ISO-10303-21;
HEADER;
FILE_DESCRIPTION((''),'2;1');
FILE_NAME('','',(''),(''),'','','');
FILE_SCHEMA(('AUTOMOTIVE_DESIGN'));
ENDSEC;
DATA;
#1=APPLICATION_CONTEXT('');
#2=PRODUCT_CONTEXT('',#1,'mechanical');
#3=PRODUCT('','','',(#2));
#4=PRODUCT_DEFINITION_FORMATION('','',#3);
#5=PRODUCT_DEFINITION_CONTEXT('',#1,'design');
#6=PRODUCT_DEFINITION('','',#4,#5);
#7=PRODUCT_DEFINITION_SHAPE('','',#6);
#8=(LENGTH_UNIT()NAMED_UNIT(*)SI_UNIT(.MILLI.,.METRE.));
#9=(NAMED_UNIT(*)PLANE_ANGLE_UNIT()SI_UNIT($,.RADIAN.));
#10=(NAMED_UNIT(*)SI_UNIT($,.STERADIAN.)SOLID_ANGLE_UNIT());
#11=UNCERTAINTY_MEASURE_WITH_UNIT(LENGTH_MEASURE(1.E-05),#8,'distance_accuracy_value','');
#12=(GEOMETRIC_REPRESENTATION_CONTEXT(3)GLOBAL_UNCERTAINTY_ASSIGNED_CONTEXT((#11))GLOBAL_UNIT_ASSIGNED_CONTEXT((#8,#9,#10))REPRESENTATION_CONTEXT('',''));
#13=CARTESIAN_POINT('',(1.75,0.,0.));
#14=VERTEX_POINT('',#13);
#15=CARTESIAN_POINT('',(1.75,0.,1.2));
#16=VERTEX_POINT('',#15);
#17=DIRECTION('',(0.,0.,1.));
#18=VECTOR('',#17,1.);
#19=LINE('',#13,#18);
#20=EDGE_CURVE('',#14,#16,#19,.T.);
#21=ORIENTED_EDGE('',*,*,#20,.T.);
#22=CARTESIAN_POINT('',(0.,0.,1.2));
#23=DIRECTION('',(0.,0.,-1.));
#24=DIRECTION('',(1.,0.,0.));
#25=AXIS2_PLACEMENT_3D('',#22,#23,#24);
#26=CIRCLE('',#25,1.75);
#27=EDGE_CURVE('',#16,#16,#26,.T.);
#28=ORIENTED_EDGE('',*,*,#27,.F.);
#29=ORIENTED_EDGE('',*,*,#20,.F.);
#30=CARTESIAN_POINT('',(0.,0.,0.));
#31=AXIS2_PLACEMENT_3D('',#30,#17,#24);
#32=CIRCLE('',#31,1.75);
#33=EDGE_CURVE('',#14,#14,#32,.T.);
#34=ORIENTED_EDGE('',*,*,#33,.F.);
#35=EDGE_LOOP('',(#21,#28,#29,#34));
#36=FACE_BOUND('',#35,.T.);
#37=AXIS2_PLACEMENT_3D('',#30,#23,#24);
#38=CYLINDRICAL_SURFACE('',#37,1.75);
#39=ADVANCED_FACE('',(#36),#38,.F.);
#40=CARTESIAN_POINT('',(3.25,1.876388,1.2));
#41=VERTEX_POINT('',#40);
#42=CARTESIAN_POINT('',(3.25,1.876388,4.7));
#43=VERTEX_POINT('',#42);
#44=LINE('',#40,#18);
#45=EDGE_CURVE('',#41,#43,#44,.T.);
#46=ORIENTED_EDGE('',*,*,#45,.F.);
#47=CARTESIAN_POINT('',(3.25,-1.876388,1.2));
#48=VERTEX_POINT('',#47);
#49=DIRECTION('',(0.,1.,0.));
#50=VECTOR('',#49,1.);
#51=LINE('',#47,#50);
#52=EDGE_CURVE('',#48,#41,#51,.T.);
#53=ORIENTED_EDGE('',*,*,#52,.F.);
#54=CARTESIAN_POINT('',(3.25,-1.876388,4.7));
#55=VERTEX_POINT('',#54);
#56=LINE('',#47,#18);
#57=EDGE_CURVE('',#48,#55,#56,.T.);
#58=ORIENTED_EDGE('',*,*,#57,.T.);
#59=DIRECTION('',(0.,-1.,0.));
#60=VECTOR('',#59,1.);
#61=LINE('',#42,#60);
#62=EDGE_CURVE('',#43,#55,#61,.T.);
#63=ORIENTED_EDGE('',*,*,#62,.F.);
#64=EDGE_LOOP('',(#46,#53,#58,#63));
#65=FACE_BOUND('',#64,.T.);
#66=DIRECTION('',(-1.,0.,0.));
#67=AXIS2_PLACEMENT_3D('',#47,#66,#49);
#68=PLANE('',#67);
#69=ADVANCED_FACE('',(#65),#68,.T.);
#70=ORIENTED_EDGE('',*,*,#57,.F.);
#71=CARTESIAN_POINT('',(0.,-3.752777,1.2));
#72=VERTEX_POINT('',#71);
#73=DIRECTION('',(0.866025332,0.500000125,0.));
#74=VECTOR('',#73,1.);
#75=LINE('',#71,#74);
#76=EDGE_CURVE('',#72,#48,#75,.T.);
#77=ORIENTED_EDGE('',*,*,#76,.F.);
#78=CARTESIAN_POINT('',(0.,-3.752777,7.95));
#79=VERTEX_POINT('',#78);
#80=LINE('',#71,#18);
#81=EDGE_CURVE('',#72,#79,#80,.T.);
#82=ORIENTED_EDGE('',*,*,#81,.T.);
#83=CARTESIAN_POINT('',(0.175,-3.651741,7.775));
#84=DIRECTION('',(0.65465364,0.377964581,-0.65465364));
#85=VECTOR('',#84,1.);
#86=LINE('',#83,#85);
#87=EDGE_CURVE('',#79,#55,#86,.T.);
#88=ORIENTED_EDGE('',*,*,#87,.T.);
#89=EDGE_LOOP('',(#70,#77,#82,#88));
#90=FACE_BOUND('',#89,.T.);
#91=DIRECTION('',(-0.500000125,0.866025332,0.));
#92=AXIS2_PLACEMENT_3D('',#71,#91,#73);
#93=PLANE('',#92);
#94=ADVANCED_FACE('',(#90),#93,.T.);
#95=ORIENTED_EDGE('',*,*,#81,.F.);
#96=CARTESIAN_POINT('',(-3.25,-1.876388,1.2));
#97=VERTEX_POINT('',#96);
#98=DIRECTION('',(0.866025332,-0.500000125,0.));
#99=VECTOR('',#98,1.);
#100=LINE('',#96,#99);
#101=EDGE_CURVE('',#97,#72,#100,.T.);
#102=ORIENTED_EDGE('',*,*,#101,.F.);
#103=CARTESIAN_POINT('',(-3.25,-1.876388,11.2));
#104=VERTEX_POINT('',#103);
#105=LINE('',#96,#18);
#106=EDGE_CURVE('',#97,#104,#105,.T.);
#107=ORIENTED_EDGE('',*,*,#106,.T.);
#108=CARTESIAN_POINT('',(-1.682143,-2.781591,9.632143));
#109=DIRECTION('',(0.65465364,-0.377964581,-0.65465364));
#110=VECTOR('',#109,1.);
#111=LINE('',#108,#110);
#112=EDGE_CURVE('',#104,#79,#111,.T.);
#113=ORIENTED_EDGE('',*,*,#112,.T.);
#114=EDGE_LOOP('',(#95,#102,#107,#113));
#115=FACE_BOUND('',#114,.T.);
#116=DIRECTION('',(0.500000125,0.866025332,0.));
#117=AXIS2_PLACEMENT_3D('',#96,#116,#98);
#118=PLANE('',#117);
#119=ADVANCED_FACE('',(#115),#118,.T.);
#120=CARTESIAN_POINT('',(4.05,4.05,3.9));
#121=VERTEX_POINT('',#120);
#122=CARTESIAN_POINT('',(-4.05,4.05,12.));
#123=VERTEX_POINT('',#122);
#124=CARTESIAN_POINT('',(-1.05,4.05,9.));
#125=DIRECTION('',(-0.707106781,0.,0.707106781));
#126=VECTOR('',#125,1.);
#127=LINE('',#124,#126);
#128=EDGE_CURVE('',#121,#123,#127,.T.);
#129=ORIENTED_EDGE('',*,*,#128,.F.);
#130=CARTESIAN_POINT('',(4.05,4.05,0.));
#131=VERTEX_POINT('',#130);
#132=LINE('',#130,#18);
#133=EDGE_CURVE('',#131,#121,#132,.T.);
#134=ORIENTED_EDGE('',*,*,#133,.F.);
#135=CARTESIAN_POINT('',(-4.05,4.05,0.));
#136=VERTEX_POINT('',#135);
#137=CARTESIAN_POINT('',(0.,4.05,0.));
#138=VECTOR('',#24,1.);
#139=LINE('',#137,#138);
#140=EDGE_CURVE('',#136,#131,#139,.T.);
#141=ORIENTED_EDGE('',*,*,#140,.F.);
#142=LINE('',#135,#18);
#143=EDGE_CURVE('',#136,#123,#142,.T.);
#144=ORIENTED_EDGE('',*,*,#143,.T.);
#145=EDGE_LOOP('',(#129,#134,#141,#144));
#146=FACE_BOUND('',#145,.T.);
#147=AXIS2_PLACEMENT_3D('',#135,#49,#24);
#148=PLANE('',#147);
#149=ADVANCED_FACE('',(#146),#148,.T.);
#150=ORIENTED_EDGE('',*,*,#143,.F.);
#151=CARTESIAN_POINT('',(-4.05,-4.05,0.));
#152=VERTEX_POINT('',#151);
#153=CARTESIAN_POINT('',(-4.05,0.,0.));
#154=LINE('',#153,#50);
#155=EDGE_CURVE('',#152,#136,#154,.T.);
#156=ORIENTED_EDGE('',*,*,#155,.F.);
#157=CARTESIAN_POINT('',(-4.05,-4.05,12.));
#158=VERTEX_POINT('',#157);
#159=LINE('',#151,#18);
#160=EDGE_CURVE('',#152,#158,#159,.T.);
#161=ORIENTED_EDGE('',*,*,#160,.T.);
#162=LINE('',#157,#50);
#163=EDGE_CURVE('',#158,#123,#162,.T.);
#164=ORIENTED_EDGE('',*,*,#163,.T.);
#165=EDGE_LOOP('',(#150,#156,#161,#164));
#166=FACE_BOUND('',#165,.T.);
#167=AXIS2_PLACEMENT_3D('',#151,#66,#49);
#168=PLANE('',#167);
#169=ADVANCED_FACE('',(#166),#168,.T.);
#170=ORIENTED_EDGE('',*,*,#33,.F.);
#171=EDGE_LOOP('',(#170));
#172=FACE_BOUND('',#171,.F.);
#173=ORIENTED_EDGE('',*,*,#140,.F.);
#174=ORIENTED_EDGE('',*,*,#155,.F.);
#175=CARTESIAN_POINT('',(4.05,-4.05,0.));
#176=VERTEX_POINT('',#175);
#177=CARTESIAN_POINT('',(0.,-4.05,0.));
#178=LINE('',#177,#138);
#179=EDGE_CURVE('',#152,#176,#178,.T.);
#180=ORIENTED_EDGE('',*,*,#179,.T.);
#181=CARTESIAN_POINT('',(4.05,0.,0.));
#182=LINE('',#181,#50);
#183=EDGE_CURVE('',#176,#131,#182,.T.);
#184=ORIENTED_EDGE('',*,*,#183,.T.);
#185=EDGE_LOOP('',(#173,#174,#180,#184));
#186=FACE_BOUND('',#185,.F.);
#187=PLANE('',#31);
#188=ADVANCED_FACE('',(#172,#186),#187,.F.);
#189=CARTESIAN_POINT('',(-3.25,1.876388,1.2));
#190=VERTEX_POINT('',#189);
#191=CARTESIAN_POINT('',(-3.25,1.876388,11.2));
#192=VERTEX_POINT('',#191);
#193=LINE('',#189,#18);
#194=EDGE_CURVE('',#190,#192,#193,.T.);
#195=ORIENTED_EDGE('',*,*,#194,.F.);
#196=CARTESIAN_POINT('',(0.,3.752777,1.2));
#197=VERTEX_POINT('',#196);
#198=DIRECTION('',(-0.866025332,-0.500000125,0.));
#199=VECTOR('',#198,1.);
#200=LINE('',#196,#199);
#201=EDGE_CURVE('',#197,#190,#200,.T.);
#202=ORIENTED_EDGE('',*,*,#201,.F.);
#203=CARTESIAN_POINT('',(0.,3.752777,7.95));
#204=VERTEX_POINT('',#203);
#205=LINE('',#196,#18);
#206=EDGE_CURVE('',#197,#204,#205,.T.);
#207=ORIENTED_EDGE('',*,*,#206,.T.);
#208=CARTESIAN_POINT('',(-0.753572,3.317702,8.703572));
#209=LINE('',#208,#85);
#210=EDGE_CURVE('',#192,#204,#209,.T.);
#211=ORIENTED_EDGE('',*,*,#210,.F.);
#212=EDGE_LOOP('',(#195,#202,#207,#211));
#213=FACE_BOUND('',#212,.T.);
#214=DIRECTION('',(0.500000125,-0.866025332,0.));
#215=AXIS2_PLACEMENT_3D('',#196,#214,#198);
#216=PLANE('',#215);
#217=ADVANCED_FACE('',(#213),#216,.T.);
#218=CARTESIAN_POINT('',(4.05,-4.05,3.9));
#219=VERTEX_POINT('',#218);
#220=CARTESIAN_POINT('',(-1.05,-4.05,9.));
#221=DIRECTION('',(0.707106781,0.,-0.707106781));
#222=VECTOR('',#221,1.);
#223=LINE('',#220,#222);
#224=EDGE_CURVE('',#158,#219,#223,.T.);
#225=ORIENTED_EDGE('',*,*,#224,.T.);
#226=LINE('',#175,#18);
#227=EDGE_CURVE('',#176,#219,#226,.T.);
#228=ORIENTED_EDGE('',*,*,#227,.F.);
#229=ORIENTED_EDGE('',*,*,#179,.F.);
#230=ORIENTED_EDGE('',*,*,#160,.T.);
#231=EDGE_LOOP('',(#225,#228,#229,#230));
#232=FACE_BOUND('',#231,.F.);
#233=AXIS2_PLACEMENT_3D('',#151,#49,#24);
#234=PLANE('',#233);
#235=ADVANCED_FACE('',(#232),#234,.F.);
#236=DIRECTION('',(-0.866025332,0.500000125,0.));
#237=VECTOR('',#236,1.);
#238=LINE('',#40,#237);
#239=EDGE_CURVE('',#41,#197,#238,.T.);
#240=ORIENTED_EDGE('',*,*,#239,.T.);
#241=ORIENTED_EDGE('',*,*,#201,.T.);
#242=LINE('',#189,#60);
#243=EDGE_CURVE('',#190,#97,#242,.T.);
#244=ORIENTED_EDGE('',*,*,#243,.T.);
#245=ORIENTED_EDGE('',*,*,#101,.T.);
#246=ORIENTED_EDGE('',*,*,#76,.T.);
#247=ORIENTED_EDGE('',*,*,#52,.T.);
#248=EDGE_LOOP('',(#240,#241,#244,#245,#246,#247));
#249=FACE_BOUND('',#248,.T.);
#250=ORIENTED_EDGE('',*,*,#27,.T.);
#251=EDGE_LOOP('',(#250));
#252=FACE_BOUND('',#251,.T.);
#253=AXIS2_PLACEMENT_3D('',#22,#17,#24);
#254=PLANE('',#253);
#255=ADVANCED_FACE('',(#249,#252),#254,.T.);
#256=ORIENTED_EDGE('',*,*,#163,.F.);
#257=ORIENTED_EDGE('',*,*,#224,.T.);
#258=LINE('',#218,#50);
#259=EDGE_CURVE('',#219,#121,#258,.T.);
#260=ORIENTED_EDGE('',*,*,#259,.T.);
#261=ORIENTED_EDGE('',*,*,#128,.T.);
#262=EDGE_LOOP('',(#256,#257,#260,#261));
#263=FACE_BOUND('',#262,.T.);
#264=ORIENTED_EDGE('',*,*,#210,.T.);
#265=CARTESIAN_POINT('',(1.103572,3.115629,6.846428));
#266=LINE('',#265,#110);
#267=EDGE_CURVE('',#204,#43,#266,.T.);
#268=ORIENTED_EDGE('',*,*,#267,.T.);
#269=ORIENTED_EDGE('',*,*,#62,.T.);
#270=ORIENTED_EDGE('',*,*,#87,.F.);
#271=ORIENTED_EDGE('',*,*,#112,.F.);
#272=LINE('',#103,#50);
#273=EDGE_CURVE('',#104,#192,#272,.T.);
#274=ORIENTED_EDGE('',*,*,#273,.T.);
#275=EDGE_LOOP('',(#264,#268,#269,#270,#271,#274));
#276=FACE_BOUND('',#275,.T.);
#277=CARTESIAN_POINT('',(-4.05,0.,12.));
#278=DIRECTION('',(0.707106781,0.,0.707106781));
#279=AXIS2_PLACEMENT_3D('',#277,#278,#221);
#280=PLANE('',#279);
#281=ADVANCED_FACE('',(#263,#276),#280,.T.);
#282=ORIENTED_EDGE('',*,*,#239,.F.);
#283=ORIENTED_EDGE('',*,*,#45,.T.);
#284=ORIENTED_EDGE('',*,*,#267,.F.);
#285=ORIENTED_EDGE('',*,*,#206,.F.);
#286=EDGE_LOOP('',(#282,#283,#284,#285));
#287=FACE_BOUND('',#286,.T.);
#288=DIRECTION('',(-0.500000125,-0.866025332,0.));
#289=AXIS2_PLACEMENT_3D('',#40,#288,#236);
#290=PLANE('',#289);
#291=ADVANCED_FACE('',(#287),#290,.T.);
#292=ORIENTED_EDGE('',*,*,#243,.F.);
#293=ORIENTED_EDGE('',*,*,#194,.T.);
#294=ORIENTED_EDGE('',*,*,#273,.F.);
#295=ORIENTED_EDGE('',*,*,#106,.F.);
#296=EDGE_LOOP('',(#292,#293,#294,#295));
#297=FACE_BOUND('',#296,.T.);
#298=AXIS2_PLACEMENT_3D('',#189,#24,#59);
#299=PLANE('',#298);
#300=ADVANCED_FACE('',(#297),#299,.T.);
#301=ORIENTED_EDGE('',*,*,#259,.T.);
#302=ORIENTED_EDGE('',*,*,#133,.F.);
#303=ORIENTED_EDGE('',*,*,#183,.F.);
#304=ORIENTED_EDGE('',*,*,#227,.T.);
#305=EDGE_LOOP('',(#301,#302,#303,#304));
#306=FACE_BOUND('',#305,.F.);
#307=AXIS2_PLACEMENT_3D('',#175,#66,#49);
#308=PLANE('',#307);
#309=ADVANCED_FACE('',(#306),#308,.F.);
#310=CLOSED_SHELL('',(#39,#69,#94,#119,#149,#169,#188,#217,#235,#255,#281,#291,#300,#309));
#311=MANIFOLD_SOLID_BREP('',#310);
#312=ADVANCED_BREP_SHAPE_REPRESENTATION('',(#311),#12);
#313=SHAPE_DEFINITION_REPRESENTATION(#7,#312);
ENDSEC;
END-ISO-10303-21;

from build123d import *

# Parameters (mm, degrees)
SKETCH_W             = 8.1
SKETCH_H             = 8.1
SKETCH_R             = 1.75
PAD_DEPTH            = 12
POCKET_DEPTH         = 10.801
POCKET001_DEPTH      = 4.051
POCKET001_DEPTH_BACK = -4.051


with BuildPart() as part:
    # Sketch → Pad (new body)
    with BuildSketch(Plane.XY):
        Rectangle(SKETCH_W, SKETCH_H)
        Circle(SKETCH_R, mode=Mode.SUBTRACT)
    extrude(amount=PAD_DEPTH)

    # Sketch001 → Pocket (cut, through all)
    with BuildSketch(Plane.XY.offset(1.2)):
        Polygon((0, 3.752777), (-3.25, 1.876388), (-3.25, -1.876388), (0, -3.752777), (3.25, -1.876388), (3.25, 1.876388), align=None)
    extrude(amount=POCKET_DEPTH, mode=Mode.SUBTRACT)

    # Sketch002 → Pocket001 (cut, two sides)
    with BuildSketch(Plane.XZ) as pocket001_sk:
        Polygon((4.05, 12), (-4.05, 12), (4.05, 3.9), align=None)
    extrude(amount=-POCKET001_DEPTH, mode=Mode.SUBTRACT)
    extrude(pocket001_sk.sketch, amount=-POCKET001_DEPTH_BACK, mode=Mode.SUBTRACT)


solid = part.part
